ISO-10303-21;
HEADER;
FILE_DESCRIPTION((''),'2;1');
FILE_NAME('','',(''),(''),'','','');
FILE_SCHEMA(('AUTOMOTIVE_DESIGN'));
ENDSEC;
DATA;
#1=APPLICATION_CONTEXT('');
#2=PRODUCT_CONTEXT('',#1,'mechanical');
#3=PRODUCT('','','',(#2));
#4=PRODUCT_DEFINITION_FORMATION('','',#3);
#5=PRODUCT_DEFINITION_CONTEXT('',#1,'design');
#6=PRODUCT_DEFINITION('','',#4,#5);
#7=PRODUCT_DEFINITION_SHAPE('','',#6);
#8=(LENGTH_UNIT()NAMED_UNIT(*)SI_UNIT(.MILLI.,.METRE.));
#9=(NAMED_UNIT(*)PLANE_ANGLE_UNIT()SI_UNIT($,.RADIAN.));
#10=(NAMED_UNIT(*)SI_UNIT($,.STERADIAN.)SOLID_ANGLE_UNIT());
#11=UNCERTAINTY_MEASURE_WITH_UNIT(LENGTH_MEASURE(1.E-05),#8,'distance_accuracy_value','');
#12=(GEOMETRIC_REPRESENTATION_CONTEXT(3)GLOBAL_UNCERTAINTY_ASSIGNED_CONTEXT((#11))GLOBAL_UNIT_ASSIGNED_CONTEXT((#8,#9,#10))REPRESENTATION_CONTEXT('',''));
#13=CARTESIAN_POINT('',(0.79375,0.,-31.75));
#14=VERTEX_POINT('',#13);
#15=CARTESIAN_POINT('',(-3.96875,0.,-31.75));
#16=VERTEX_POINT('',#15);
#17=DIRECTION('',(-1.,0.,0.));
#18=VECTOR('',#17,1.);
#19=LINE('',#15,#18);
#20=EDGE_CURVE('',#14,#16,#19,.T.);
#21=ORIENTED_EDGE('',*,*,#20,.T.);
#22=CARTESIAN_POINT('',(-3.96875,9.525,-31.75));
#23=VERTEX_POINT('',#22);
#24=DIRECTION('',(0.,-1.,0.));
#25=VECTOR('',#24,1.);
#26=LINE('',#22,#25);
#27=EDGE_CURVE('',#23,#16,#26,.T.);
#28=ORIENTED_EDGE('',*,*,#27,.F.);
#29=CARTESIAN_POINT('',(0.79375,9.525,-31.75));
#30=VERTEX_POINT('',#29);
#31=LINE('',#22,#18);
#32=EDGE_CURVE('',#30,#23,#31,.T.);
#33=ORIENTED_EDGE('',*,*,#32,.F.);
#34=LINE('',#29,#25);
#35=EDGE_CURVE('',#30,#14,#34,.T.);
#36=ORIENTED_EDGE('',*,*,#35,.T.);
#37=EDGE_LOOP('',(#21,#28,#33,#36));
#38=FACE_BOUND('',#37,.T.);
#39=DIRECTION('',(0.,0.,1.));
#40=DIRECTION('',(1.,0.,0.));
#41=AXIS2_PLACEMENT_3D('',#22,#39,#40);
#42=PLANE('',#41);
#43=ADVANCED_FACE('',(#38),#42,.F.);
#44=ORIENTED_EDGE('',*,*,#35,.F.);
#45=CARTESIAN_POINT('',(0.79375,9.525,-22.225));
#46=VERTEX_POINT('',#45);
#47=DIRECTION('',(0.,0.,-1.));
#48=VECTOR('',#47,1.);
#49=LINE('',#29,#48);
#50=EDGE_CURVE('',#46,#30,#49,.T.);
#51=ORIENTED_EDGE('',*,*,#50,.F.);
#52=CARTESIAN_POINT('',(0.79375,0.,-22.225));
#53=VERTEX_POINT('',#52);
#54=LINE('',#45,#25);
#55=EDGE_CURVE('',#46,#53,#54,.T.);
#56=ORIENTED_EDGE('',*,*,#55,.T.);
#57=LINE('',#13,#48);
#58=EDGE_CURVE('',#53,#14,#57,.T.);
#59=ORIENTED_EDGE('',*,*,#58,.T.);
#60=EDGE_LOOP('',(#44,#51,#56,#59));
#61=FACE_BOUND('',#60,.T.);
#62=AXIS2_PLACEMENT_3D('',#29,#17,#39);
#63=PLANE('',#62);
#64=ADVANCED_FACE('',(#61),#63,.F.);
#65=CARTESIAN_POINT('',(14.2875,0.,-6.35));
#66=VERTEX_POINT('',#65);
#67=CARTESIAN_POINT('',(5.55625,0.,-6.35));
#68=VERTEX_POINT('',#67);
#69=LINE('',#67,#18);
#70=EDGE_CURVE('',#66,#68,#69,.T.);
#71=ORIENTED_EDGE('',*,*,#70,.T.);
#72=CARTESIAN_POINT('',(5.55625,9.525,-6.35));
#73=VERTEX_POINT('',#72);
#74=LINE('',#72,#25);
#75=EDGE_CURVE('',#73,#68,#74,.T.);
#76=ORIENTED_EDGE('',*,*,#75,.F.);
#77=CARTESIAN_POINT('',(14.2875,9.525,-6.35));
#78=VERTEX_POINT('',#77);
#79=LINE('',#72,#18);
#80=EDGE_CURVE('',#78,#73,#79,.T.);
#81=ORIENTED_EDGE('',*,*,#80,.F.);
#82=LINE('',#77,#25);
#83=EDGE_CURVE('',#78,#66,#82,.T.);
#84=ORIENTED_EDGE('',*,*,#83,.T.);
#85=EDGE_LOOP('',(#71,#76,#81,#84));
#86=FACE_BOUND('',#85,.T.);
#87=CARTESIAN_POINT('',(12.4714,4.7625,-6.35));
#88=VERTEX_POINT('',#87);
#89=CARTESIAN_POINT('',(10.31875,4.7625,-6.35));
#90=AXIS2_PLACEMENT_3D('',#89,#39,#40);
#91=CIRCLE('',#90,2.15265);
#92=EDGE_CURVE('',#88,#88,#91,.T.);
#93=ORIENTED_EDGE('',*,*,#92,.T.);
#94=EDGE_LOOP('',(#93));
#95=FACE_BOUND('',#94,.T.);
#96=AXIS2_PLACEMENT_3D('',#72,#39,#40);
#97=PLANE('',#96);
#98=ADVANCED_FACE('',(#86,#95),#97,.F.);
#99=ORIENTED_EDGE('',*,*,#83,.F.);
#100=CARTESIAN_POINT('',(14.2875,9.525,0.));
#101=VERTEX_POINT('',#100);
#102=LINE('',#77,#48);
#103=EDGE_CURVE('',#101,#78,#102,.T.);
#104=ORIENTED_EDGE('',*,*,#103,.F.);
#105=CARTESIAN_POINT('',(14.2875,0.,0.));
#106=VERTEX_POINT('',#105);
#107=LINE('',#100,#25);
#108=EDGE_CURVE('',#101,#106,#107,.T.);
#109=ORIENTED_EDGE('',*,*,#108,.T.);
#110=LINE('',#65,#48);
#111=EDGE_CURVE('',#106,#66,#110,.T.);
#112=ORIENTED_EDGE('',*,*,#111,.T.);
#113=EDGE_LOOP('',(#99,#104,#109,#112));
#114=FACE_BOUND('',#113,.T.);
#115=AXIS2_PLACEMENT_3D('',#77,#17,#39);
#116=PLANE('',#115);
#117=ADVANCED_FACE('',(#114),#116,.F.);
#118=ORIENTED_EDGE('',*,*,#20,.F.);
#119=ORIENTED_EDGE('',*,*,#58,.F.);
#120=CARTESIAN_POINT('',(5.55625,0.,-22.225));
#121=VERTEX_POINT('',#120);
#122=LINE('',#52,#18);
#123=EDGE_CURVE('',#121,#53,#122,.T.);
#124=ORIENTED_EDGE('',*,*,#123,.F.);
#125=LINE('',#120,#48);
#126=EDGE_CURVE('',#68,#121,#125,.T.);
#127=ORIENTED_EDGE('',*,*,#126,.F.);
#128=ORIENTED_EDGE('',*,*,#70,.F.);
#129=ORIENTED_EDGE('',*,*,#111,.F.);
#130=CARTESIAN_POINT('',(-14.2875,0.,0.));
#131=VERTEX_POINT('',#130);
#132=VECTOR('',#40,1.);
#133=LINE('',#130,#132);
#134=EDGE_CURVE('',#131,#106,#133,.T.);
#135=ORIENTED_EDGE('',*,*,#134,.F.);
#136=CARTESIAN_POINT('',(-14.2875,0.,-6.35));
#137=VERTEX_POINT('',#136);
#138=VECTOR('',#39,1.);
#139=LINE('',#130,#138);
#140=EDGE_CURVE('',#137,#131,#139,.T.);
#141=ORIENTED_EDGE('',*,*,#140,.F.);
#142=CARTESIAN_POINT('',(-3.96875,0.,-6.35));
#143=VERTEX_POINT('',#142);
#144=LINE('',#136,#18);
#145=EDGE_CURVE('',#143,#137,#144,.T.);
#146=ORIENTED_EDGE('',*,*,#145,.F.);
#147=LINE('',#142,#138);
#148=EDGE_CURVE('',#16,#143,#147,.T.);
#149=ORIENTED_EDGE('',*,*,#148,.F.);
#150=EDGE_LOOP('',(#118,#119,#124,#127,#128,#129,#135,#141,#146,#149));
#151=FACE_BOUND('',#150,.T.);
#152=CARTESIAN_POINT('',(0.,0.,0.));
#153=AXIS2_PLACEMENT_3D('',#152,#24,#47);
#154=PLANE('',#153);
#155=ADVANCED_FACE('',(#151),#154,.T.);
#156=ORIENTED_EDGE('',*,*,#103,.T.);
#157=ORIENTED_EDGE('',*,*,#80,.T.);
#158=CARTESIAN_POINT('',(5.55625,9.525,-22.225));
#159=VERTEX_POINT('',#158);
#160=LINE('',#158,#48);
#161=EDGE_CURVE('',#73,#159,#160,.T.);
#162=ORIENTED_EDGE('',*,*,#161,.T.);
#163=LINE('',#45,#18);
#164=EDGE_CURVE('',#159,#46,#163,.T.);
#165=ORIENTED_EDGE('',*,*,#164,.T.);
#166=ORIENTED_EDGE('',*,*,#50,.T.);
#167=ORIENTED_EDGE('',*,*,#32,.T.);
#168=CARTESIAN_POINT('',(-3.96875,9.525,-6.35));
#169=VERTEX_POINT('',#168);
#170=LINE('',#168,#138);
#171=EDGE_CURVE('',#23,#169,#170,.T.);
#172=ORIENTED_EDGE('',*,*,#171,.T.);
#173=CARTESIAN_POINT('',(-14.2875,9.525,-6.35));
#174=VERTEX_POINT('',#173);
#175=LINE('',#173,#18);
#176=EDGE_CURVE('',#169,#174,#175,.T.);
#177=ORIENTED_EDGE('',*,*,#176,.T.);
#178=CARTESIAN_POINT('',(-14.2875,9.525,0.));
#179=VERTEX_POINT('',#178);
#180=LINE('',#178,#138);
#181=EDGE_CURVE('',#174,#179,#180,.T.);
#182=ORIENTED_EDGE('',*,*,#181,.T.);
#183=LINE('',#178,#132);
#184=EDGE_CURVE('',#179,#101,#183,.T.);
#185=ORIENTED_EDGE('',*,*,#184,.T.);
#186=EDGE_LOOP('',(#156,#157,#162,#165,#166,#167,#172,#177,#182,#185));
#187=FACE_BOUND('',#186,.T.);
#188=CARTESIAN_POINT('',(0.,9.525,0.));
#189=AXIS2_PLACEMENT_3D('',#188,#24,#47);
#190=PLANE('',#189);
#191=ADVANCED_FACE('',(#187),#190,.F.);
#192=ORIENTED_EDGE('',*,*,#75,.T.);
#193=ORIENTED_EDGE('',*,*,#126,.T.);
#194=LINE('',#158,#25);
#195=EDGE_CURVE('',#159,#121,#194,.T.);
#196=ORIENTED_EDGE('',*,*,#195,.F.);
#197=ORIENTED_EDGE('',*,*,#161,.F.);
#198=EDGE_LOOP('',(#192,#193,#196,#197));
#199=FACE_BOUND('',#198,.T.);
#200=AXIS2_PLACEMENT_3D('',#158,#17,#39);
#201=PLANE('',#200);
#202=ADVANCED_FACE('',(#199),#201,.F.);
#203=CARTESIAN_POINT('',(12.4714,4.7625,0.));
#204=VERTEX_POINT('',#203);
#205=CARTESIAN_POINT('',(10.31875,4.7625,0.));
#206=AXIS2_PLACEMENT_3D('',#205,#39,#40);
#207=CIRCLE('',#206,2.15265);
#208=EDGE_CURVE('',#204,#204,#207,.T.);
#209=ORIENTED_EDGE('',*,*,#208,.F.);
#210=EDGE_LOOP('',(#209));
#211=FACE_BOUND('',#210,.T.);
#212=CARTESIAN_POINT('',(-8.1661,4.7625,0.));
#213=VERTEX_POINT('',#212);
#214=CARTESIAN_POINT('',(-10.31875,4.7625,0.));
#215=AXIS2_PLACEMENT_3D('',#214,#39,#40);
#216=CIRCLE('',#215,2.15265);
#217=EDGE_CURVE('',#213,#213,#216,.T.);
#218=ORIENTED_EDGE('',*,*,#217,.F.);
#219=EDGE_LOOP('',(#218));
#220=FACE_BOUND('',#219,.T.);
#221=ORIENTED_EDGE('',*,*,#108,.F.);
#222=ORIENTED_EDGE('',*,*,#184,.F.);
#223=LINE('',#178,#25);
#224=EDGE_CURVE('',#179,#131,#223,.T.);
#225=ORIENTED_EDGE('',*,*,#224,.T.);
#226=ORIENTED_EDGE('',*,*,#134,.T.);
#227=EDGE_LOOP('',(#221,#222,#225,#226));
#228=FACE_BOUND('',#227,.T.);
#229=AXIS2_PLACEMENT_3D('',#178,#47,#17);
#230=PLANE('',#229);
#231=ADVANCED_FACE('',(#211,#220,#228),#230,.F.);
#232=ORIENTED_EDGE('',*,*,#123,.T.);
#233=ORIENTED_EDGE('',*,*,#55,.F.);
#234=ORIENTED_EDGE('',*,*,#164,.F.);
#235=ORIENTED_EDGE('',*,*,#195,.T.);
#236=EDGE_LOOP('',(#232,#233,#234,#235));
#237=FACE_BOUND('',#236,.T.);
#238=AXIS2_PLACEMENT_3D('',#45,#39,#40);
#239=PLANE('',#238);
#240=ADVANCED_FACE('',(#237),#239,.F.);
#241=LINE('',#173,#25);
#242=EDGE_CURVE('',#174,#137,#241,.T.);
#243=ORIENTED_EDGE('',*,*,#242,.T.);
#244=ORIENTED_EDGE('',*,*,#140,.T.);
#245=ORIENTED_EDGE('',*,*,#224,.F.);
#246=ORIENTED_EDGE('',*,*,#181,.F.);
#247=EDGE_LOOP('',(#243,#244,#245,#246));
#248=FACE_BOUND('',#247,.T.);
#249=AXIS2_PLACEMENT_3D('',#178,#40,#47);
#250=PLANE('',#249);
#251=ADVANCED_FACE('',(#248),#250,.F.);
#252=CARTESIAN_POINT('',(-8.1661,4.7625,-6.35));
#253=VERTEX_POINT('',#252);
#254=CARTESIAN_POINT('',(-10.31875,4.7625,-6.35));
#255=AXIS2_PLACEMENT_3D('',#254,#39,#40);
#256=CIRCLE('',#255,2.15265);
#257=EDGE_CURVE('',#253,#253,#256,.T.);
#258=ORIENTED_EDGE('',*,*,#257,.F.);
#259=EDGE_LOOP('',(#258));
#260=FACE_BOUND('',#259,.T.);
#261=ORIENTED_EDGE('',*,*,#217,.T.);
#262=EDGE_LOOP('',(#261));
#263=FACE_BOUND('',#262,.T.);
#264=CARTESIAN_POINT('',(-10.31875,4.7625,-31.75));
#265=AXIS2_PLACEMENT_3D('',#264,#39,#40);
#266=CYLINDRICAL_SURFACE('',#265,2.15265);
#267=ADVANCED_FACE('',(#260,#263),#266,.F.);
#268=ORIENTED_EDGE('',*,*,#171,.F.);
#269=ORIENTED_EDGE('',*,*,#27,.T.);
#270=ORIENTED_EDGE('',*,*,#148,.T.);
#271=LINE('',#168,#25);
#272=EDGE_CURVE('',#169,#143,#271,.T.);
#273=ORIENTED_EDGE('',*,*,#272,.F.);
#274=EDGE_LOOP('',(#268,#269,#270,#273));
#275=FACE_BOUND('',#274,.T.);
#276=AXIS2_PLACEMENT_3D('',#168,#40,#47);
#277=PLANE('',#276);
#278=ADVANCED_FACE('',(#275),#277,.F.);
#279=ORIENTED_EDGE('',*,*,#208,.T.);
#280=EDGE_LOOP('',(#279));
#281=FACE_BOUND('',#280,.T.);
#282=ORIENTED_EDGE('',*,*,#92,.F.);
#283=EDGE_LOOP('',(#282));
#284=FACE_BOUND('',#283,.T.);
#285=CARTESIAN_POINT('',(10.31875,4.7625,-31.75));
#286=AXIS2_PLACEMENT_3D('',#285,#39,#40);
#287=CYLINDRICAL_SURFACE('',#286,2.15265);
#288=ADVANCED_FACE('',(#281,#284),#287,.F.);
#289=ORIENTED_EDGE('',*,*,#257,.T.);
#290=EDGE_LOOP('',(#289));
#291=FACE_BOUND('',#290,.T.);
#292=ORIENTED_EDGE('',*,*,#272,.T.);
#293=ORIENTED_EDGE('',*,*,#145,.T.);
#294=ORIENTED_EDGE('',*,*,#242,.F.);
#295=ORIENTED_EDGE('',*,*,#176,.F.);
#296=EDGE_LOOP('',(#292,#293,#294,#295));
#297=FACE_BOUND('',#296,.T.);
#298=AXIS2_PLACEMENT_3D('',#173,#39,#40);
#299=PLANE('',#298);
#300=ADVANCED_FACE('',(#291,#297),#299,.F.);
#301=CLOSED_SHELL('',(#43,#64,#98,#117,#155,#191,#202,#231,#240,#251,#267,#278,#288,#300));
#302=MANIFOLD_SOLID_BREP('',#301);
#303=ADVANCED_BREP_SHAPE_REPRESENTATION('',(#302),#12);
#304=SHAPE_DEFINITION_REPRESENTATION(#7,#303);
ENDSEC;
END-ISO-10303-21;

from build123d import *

# Parameters (mm, degrees)
BOSS_EXTRUDE1_DEPTH = 9.525
SKETCH3_R           = 2.15265
CUT_EXTRUDE1_DEPTH  = 37.095993978


with BuildPart() as part:
    # Sketch2 → Boss-Extrude1 (new body)
    with BuildSketch(Plane(origin=(0, 0, 0), x_dir=(1, 0, 0), z_dir=(0, 1, 0))):
        Polygon((-14.2875, 0), (14.2875, 0), (14.2875, 6.35), (5.55625, 6.35), (5.55625, 22.225), (0.79375, 22.225), (0.79375, 31.75), (-3.96875, 31.75), (-3.96875, 6.35), (-14.2875, 6.35), align=None)
    extrude(amount=BOSS_EXTRUDE1_DEPTH)

    # Sketch3 → Cut-Extrude1 (cut, through all)
    with BuildSketch(Plane.XY):
        with Locations((-10.31875, 4.7625)):
            Circle(SKETCH3_R)
        with Locations((10.31875, 4.7625)):
            Circle(SKETCH3_R)
    extrude(amount=-CUT_EXTRUDE1_DEPTH, mode=Mode.SUBTRACT)


solid = part.part
